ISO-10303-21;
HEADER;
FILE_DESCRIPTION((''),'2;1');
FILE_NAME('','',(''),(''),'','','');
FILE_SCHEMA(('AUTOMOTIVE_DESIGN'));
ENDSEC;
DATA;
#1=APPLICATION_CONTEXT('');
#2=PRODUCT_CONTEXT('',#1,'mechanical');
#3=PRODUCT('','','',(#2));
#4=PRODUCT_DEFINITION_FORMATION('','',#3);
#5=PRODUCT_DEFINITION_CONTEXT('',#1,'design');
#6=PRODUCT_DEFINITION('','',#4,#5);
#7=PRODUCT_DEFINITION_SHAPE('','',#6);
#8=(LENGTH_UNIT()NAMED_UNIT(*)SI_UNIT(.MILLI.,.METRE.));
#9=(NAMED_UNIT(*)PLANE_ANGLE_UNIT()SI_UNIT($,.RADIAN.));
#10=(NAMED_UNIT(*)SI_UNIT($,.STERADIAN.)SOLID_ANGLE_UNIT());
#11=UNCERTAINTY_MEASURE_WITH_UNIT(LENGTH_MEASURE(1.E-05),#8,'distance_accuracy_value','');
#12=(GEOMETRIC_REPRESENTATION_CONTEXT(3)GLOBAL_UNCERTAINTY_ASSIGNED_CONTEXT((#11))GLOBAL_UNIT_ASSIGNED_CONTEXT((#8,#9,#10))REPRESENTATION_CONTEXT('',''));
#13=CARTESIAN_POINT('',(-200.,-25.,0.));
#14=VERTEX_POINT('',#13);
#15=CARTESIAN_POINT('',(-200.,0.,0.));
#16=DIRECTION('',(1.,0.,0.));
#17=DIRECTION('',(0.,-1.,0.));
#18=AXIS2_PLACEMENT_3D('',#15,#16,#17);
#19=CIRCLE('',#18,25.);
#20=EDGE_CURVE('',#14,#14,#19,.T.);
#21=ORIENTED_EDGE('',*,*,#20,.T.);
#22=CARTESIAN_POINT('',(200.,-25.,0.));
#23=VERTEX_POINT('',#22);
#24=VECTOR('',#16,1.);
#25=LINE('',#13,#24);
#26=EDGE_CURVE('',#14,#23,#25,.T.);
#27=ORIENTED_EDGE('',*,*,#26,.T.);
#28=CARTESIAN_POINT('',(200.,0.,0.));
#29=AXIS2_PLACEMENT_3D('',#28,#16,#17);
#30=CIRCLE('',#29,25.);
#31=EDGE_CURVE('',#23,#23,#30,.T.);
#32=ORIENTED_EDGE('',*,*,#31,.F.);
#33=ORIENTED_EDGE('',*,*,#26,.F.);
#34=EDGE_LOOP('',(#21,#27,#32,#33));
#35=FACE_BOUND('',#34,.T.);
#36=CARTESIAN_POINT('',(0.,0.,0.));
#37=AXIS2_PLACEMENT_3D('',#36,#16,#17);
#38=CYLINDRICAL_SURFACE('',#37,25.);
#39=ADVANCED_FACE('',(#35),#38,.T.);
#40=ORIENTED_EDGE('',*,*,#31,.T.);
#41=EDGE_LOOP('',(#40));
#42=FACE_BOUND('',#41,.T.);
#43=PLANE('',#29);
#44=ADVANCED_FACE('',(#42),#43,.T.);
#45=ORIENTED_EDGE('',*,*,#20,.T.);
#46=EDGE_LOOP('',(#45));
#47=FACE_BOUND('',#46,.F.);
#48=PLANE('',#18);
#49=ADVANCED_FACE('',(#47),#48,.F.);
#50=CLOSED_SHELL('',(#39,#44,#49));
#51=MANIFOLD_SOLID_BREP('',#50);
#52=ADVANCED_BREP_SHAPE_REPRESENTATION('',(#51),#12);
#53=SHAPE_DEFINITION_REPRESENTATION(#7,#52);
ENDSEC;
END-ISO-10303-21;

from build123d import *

# Parameters (mm, degrees)
SKETCH1_R           = 25
BOSS_EXTRUDE1_DEPTH = 200


with BuildPart() as part:
    # Sketch1 → Boss-Extrude1 (new body, symmetric)
    with BuildSketch(Plane(origin=(0, 0, 0), x_dir=(0, -1, 0), z_dir=(1, 0, 0))):
        Circle(SKETCH1_R)
    extrude(amount=BOSS_EXTRUDE1_DEPTH, both=True)


solid = part.part
